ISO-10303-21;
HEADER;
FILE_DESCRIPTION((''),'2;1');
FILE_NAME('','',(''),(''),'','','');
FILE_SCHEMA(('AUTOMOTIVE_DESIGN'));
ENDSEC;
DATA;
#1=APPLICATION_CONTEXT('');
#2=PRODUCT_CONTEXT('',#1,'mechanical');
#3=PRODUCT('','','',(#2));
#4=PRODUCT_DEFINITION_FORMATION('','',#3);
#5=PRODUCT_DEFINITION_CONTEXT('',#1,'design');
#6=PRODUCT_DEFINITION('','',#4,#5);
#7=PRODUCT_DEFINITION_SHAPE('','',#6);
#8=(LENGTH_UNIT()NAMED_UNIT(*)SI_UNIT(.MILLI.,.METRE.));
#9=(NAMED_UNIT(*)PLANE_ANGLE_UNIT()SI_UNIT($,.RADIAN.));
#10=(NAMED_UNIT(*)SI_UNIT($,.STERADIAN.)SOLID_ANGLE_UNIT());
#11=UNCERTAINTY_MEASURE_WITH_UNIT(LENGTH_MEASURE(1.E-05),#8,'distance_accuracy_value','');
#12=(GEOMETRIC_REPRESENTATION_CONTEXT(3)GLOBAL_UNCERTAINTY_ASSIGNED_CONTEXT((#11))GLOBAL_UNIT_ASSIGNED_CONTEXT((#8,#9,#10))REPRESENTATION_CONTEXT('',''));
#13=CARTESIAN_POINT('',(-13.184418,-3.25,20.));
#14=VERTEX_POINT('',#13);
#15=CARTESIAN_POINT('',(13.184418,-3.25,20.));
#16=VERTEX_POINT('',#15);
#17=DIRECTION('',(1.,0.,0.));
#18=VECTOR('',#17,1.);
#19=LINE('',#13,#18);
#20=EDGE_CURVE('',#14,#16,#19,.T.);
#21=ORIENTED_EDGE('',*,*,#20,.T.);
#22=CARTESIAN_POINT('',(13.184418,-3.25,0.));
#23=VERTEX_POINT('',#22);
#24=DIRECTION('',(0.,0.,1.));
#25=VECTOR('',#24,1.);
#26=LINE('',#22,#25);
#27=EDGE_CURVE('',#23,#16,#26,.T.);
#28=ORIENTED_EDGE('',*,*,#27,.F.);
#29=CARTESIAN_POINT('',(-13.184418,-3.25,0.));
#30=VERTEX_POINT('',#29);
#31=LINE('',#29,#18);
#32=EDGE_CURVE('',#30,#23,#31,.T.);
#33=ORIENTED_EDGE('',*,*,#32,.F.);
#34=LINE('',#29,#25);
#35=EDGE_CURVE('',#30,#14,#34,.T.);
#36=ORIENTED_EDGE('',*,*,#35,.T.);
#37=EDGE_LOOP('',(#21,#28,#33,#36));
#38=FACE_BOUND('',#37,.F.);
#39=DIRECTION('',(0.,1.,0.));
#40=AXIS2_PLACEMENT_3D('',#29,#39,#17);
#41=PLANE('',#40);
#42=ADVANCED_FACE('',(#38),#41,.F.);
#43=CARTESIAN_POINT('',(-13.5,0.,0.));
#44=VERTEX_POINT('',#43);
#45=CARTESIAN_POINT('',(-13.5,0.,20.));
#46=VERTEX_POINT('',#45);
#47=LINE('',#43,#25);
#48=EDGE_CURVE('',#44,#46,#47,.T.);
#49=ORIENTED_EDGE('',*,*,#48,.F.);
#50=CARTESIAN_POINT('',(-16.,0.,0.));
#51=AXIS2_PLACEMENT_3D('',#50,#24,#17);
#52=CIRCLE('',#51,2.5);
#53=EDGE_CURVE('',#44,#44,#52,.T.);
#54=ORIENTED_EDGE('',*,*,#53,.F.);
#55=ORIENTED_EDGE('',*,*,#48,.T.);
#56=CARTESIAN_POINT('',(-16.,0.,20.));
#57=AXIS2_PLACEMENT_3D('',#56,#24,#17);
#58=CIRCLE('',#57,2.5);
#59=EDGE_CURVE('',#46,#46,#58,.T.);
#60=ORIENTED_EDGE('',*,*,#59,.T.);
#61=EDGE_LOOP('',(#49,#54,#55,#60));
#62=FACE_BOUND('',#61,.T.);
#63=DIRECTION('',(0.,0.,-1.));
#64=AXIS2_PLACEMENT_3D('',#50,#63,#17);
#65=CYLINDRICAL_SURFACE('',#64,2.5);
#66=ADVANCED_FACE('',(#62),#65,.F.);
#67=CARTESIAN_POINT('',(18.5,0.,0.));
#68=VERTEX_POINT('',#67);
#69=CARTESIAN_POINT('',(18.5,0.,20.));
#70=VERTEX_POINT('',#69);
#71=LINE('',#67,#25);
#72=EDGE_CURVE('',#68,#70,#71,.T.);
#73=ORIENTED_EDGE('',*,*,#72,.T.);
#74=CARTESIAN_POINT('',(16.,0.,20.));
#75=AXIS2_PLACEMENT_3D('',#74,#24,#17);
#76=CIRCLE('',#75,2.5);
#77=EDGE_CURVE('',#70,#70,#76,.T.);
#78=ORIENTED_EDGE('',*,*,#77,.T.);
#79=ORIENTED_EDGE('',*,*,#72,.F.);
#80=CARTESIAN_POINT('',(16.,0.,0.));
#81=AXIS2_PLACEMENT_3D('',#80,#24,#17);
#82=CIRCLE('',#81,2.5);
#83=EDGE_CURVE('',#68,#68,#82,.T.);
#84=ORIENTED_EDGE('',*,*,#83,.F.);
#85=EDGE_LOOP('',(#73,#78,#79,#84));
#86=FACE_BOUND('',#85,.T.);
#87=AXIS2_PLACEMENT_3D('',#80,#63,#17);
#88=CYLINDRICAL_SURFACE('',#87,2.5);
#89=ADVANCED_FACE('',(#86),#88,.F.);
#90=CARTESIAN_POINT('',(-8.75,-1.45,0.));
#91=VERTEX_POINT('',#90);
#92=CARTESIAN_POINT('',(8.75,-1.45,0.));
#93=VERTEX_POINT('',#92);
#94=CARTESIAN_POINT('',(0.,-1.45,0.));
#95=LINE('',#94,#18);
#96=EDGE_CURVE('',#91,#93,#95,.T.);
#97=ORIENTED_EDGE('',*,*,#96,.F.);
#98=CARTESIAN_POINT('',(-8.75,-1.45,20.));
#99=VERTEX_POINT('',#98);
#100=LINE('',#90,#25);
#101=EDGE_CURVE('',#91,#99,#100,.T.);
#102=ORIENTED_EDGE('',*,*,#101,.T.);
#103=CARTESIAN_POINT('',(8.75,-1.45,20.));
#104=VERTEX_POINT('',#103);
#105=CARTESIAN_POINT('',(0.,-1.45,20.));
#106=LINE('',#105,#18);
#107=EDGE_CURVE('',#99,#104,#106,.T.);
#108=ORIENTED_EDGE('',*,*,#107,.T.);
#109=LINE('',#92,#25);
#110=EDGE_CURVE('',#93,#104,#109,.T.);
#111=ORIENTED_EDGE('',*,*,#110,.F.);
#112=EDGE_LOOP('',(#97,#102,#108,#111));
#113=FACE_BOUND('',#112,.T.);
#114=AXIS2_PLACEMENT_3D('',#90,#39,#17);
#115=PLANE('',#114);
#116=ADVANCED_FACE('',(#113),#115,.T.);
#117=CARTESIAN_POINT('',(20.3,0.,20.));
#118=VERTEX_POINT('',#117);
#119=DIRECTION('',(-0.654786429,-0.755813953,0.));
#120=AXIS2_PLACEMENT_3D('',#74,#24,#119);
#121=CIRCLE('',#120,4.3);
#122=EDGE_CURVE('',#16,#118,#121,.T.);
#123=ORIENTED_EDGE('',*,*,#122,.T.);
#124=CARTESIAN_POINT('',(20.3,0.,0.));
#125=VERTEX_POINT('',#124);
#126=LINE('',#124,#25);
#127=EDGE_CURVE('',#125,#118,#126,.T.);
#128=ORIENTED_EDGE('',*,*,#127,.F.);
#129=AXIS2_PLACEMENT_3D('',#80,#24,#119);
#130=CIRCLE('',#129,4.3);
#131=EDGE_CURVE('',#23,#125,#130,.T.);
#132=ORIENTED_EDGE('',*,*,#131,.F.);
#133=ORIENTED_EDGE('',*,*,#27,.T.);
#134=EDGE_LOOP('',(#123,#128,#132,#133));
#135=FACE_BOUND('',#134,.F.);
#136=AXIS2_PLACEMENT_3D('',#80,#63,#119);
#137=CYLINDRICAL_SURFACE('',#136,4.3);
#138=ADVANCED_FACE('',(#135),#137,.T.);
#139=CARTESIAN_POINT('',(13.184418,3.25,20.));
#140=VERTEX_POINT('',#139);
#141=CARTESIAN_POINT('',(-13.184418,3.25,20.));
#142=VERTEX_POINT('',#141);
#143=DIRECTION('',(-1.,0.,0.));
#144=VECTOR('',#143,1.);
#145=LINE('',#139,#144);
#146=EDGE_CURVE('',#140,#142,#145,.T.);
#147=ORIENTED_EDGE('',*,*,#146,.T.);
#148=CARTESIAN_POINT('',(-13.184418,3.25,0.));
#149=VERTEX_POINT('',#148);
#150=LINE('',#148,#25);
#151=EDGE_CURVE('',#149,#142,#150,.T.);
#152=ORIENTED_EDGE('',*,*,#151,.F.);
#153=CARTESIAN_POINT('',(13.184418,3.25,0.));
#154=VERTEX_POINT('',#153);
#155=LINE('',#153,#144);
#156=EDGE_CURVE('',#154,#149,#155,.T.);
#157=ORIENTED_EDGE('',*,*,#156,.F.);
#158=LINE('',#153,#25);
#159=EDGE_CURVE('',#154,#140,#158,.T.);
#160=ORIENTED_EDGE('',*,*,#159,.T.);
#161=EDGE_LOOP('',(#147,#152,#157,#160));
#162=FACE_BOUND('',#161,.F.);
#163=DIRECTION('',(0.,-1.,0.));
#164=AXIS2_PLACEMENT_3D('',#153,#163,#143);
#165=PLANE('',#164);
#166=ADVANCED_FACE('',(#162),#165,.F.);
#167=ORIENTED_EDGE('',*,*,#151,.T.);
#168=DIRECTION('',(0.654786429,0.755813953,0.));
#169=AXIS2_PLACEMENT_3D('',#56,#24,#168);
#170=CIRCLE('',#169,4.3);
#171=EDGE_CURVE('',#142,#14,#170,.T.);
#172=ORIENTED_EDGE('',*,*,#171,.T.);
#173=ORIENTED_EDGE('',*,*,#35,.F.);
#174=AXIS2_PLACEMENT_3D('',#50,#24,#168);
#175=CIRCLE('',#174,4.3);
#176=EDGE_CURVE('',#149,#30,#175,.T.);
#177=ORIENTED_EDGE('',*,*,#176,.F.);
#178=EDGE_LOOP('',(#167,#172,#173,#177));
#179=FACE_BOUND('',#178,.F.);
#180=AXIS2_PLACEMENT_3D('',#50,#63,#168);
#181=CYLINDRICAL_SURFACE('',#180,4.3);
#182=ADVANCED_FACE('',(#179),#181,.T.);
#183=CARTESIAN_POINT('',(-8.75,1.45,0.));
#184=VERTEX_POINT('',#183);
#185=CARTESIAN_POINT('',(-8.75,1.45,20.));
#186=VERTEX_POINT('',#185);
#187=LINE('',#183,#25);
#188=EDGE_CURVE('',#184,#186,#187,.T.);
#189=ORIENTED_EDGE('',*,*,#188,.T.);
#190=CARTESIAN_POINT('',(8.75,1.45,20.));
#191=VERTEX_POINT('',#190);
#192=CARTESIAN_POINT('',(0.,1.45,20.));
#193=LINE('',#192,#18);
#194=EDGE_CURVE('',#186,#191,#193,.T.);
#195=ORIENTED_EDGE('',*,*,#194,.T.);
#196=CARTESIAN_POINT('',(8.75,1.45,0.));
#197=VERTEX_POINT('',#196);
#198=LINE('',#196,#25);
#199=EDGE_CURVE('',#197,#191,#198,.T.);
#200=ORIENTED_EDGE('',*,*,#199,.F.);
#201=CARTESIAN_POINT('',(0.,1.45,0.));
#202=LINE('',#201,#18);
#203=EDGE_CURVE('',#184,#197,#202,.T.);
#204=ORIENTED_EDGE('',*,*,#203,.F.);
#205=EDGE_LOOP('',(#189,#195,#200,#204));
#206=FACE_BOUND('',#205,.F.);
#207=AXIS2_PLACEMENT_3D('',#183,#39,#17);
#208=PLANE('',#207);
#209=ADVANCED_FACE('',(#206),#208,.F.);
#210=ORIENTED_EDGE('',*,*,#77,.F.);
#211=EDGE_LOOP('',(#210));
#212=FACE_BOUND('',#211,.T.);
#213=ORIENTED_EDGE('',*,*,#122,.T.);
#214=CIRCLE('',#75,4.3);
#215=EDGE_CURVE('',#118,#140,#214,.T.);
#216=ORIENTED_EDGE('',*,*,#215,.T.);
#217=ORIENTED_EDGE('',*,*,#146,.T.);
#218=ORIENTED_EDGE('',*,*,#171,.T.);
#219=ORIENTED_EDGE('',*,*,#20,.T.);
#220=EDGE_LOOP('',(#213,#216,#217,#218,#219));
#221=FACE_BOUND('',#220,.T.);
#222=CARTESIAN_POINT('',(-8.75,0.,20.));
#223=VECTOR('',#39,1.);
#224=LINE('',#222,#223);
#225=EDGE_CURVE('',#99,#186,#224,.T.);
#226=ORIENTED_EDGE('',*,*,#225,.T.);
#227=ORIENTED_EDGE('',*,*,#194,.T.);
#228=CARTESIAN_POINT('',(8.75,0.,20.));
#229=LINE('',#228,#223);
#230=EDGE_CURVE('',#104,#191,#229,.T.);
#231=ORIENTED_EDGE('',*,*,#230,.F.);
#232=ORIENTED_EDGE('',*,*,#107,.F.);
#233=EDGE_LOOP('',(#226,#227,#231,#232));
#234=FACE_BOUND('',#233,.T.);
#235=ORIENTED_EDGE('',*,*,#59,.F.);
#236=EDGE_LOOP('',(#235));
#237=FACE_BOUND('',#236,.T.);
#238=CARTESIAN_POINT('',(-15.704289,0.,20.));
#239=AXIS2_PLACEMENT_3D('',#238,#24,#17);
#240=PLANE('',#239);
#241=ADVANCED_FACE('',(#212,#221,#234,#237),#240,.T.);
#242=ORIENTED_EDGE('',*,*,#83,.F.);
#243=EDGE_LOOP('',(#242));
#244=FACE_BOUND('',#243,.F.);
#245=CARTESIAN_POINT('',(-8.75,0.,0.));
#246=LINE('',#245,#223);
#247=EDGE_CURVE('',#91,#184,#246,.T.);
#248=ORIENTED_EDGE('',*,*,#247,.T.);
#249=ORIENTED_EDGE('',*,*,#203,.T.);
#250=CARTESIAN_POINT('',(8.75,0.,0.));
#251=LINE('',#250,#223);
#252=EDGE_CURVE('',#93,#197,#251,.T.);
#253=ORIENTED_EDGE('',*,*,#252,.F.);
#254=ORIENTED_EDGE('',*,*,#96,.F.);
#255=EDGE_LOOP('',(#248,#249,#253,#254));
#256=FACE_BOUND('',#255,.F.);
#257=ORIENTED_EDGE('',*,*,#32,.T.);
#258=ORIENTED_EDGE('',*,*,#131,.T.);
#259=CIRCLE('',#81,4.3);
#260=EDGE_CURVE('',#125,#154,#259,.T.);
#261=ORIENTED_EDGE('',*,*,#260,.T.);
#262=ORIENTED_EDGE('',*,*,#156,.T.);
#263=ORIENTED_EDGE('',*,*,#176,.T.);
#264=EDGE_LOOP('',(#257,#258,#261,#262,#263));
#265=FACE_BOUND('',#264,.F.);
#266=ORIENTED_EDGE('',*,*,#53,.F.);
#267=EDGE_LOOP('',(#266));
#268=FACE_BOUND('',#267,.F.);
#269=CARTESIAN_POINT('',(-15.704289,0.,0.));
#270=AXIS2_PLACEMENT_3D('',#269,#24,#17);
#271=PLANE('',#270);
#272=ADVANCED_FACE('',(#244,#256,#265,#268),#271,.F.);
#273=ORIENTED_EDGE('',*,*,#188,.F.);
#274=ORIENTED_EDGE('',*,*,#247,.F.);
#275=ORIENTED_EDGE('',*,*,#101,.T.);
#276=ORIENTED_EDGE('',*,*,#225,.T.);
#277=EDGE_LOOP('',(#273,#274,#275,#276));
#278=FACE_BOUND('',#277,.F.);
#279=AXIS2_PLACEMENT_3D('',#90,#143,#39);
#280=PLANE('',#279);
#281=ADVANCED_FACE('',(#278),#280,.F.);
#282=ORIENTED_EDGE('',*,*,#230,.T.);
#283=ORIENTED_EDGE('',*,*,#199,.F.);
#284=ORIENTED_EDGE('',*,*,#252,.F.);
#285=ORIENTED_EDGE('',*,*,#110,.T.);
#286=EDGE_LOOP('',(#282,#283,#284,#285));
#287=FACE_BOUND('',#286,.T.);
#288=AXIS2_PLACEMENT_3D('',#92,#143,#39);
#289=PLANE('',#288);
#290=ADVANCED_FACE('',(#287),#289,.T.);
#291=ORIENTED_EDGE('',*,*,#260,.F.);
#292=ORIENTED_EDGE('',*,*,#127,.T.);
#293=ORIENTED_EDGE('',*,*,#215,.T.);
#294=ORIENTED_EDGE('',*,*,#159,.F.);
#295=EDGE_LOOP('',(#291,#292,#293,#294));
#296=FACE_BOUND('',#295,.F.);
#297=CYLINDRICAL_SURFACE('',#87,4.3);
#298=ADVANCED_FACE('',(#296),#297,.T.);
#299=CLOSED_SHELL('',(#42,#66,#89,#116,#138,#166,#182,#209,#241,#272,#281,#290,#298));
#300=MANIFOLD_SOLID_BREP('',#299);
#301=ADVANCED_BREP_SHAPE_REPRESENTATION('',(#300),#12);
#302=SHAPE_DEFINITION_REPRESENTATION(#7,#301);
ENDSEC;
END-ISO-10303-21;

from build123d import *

# Parameters (mm, degrees)
F1_R     = 2.5
F1_W     = 17.5
F1_H     = 2.9
F2_DEPTH = 20


with BuildPart() as f2:
    # F1 (on Top) → F2 (new body)
    with BuildSketch(Plane.XY):
        with BuildLine():
            ThreePointArc((-13.1844183549, -3.25), (-12.0886702342, -1.7864768297), (-11.7, 0))
            ThreePointArc((-11.7, 0), (-12.0886702342, 1.7864768297), (-13.1844183549, 3.25))
            ThreePointArc((-13.1844183549, 3.25), (-20.3, 0), (-13.1844183549, -3.25))
        make_face()
        with Locations((-16, 0)):
            Circle(F1_R, mode=Mode.SUBTRACT)
        with BuildLine():
            ThreePointArc((-13.1844183549, 3.25), (-12.0886702342, 1.7864768297), (-11.7, 0))
            ThreePointArc((-11.7, 0), (-12.0886702342, -1.7864768297), (-13.1844183549, -3.25))
            Line((-13.1844183549, -3.25), (13.1844183549, -3.25))
            ThreePointArc((13.1844183549, -3.25), (11.7, 0), (13.1844183549, 3.25))
            Line((13.1844183549, 3.25), (-13.1844183549, 3.25))
        make_face()
        Rectangle(F1_W, F1_H, mode=Mode.SUBTRACT)
        with BuildLine():
            ThreePointArc((20.3, 0), (17.7864768297, 3.9113297658), (13.1844183549, 3.25))
            ThreePointArc((13.1844183549, 3.25), (11.7, 0), (13.1844183549, -3.25))
            ThreePointArc((13.1844183549, -3.25), (17.7864768297, -3.9113297658), (20.3, 0))
        make_face()
        with Locations((16, 0)):
            Circle(F1_R, mode=Mode.SUBTRACT)
    extrude(amount=F2_DEPTH)


solid = f2.part
